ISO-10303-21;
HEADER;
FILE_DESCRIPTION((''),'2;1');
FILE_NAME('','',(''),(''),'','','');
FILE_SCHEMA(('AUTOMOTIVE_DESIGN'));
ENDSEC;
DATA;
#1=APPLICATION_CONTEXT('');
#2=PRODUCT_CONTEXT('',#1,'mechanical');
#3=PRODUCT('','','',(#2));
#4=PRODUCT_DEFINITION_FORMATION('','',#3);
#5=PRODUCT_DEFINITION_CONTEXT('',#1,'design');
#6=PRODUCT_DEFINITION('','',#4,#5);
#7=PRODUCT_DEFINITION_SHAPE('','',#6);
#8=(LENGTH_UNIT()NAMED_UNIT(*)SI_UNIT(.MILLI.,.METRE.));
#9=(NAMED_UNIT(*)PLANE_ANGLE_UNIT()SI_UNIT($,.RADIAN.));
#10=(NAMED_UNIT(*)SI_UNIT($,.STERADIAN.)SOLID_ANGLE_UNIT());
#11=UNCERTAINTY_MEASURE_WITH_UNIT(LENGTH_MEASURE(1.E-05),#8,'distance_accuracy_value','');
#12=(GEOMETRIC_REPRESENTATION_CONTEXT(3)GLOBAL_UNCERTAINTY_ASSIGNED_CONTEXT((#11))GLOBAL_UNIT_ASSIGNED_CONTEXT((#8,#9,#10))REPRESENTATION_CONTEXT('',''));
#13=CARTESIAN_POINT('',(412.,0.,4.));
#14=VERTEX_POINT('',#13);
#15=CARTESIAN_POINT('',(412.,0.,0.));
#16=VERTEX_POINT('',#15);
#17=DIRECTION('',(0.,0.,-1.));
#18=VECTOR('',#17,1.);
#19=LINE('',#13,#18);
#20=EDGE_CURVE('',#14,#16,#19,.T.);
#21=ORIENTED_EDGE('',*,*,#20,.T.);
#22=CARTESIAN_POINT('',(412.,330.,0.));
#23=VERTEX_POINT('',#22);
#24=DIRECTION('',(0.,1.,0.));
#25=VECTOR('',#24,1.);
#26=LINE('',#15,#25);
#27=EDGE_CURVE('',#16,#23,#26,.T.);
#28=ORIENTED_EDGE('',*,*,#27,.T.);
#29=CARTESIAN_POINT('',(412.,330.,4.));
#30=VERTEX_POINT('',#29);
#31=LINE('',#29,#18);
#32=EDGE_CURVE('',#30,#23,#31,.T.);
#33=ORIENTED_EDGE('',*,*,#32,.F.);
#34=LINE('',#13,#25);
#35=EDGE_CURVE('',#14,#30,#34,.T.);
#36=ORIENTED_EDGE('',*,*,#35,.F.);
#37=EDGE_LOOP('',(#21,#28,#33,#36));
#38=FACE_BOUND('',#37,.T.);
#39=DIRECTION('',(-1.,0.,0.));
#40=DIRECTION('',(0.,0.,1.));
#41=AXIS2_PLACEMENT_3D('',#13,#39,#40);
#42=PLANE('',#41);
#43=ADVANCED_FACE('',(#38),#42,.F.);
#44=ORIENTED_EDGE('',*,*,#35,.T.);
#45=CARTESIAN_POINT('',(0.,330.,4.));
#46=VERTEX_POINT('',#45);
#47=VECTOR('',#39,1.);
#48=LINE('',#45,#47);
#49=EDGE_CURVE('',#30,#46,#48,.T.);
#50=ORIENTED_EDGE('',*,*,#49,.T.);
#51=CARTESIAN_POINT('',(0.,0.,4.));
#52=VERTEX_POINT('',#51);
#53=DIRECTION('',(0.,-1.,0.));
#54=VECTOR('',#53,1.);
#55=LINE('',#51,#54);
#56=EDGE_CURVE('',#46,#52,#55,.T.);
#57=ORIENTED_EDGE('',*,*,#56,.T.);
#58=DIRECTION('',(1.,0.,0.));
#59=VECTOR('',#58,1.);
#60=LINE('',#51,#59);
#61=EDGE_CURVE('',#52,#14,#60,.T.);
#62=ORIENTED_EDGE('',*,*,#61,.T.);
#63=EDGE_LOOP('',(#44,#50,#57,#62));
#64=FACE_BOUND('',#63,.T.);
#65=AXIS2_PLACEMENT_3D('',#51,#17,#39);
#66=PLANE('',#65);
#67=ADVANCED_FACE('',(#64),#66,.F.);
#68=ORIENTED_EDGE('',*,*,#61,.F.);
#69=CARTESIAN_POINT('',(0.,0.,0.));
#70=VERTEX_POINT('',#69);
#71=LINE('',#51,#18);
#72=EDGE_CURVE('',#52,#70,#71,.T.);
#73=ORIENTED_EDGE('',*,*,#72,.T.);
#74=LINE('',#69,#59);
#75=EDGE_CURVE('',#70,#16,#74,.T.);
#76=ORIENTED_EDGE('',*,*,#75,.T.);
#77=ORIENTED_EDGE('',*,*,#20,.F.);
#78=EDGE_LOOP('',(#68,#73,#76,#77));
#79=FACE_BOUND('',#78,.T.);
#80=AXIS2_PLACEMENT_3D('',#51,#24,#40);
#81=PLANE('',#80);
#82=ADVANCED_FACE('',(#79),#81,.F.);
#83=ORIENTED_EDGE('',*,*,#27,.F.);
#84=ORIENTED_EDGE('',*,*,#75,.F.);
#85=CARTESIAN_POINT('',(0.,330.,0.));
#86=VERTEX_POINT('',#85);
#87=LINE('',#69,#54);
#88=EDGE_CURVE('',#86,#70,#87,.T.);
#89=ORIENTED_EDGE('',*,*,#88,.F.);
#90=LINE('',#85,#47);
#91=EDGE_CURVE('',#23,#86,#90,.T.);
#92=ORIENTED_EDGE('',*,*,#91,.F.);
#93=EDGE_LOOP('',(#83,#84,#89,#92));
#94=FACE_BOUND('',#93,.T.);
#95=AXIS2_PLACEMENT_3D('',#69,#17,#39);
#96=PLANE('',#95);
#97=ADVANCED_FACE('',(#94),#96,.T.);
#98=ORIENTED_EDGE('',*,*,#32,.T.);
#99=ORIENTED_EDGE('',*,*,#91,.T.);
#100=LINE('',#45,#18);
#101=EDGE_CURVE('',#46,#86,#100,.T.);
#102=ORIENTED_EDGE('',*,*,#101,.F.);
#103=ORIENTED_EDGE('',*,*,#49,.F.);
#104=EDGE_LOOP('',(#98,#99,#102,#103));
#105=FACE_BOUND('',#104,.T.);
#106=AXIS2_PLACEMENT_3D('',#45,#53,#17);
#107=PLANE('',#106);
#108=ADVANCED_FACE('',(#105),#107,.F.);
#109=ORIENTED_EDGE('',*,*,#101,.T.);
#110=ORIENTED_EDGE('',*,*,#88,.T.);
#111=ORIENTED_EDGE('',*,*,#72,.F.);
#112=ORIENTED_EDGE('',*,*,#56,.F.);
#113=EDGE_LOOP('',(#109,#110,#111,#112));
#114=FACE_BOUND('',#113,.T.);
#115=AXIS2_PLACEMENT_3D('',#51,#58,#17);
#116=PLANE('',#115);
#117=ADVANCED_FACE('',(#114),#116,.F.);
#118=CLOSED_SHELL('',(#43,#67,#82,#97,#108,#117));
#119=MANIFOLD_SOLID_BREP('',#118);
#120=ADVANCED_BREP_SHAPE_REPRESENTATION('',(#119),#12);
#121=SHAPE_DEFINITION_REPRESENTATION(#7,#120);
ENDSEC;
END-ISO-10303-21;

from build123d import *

# Parameters (mm, degrees)
CROQUIS1_W              = 412
CROQUIS1_H              = 330
SALIENTE_EXTRUIR1_DEPTH = 4


with BuildPart() as part:
    # Croquis1 → Saliente-Extruir1 (new body)
    with BuildSketch(Plane.XY):
        with Locations((206, 165)):
            Rectangle(CROQUIS1_W, CROQUIS1_H)
    extrude(amount=SALIENTE_EXTRUIR1_DEPTH)


solid = part.part
